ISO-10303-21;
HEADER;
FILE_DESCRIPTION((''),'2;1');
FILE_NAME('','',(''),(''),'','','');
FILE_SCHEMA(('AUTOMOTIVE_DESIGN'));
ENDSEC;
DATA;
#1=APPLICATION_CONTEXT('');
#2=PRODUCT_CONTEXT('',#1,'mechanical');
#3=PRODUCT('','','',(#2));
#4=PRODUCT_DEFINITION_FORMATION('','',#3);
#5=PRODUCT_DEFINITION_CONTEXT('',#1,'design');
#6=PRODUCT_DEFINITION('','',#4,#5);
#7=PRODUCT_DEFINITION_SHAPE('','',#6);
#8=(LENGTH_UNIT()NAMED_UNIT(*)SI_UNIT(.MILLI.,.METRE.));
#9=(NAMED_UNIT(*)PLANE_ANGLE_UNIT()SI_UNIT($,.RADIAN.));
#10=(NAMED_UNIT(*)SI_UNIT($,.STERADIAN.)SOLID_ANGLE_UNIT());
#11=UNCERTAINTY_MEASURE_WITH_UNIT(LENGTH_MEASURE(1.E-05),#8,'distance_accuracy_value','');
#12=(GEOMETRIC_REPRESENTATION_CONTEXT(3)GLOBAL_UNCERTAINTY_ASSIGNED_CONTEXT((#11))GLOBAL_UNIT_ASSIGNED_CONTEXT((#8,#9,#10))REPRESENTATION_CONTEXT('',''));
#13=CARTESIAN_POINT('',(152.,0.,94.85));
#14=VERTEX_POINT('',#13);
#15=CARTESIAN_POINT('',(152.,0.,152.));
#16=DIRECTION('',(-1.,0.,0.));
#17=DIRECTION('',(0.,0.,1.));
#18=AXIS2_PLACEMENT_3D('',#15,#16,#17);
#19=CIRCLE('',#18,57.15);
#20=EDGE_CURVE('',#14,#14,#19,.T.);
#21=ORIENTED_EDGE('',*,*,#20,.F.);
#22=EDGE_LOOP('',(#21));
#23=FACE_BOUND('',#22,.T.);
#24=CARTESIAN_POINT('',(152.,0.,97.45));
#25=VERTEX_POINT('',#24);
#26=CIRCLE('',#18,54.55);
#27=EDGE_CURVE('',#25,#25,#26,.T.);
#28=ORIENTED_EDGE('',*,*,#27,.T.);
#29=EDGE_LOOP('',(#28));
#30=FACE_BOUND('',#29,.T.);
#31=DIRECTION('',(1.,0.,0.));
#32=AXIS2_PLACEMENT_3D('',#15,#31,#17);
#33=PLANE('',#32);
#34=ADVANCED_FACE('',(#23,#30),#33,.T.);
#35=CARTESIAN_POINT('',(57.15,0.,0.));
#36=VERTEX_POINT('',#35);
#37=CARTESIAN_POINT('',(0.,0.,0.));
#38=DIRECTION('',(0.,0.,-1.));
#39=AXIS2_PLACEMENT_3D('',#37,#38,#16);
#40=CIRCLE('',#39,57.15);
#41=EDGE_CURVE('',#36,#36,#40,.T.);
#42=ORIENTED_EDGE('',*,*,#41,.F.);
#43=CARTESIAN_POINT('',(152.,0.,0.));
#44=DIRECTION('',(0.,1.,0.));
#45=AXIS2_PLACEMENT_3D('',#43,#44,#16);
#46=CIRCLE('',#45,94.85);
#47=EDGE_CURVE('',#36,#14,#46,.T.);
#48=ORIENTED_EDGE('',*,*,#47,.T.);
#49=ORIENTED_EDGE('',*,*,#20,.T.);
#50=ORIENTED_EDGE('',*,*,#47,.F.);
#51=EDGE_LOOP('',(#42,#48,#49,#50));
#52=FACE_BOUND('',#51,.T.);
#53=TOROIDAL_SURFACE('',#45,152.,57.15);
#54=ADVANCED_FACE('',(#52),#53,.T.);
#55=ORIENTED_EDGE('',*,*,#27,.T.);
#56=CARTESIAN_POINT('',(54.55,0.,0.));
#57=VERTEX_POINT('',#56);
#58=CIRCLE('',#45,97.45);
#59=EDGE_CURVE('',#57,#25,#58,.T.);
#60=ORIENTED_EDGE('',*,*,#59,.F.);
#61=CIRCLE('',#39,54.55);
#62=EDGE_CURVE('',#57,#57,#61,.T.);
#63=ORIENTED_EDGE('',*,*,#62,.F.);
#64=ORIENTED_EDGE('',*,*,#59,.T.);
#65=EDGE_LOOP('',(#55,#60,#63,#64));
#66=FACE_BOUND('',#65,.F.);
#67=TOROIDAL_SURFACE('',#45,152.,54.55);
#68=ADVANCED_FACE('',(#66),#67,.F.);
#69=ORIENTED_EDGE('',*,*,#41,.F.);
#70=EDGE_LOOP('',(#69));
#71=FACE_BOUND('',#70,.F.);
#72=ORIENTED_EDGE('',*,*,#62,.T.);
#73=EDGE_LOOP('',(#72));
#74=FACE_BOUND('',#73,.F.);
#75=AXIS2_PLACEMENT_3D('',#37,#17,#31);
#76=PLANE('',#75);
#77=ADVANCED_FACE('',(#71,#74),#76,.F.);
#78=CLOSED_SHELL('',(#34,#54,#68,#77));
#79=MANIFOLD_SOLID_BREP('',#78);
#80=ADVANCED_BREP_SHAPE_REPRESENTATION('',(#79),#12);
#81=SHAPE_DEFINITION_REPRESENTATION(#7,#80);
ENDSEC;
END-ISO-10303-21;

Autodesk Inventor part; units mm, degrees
ref_plane "YZ Plane" through (0, 0, 0) normal (1, 0, 0) x (0, 1, 0)
ref_plane "XZ Plane" through (0, 0, 0) normal (0, 1, 0) x (-1, 0, 0)
ref_plane "XY Plane" through (0, 0, 0) normal (0, 0, 1) x (1, 0, 0)
sketch "Sketch1" plane through (0, 0, 0) normal (0, 0, 1) x (1, 0, 0)
  circle A0 centre (0, 0) radius 54.55
  circle A1 centre (0, 0) radius 57.15
  dimension "d0" = 109.1
  dimension "d1" = 114.3
sketch "Sketch2" plane through (0, 0, 0) normal (0, 1, 0) x (-1, 0, 0)
  line L0 (0, 0) -> (0, 152) construction
  line L1 (0, 152) -> (-152, 152) construction
  arc A0 (0, 0) -> (-152, 152) centre (-152, 0) ccw
  dimension "d2" = 152
  dimension "d3" = 152
sweep "Sweep1" add profiles "Sketch1" path "Sketch2"
equation "\"d0\" = -2 * s1 + da"
equation "\"d1\" = da"
equation "\"d2\" = r"
equation "\"d3\" = r"
equation "\"da\" = 114.3"
equation "\"r\" = 152"
equation "\"s1\" = 2.6"
equation "\"Size_Designation\" = 1.2345"
properties part number "DIN 2605 90 Deg Elbow Type 3 114.3 - 2.6S" material "Steel"
